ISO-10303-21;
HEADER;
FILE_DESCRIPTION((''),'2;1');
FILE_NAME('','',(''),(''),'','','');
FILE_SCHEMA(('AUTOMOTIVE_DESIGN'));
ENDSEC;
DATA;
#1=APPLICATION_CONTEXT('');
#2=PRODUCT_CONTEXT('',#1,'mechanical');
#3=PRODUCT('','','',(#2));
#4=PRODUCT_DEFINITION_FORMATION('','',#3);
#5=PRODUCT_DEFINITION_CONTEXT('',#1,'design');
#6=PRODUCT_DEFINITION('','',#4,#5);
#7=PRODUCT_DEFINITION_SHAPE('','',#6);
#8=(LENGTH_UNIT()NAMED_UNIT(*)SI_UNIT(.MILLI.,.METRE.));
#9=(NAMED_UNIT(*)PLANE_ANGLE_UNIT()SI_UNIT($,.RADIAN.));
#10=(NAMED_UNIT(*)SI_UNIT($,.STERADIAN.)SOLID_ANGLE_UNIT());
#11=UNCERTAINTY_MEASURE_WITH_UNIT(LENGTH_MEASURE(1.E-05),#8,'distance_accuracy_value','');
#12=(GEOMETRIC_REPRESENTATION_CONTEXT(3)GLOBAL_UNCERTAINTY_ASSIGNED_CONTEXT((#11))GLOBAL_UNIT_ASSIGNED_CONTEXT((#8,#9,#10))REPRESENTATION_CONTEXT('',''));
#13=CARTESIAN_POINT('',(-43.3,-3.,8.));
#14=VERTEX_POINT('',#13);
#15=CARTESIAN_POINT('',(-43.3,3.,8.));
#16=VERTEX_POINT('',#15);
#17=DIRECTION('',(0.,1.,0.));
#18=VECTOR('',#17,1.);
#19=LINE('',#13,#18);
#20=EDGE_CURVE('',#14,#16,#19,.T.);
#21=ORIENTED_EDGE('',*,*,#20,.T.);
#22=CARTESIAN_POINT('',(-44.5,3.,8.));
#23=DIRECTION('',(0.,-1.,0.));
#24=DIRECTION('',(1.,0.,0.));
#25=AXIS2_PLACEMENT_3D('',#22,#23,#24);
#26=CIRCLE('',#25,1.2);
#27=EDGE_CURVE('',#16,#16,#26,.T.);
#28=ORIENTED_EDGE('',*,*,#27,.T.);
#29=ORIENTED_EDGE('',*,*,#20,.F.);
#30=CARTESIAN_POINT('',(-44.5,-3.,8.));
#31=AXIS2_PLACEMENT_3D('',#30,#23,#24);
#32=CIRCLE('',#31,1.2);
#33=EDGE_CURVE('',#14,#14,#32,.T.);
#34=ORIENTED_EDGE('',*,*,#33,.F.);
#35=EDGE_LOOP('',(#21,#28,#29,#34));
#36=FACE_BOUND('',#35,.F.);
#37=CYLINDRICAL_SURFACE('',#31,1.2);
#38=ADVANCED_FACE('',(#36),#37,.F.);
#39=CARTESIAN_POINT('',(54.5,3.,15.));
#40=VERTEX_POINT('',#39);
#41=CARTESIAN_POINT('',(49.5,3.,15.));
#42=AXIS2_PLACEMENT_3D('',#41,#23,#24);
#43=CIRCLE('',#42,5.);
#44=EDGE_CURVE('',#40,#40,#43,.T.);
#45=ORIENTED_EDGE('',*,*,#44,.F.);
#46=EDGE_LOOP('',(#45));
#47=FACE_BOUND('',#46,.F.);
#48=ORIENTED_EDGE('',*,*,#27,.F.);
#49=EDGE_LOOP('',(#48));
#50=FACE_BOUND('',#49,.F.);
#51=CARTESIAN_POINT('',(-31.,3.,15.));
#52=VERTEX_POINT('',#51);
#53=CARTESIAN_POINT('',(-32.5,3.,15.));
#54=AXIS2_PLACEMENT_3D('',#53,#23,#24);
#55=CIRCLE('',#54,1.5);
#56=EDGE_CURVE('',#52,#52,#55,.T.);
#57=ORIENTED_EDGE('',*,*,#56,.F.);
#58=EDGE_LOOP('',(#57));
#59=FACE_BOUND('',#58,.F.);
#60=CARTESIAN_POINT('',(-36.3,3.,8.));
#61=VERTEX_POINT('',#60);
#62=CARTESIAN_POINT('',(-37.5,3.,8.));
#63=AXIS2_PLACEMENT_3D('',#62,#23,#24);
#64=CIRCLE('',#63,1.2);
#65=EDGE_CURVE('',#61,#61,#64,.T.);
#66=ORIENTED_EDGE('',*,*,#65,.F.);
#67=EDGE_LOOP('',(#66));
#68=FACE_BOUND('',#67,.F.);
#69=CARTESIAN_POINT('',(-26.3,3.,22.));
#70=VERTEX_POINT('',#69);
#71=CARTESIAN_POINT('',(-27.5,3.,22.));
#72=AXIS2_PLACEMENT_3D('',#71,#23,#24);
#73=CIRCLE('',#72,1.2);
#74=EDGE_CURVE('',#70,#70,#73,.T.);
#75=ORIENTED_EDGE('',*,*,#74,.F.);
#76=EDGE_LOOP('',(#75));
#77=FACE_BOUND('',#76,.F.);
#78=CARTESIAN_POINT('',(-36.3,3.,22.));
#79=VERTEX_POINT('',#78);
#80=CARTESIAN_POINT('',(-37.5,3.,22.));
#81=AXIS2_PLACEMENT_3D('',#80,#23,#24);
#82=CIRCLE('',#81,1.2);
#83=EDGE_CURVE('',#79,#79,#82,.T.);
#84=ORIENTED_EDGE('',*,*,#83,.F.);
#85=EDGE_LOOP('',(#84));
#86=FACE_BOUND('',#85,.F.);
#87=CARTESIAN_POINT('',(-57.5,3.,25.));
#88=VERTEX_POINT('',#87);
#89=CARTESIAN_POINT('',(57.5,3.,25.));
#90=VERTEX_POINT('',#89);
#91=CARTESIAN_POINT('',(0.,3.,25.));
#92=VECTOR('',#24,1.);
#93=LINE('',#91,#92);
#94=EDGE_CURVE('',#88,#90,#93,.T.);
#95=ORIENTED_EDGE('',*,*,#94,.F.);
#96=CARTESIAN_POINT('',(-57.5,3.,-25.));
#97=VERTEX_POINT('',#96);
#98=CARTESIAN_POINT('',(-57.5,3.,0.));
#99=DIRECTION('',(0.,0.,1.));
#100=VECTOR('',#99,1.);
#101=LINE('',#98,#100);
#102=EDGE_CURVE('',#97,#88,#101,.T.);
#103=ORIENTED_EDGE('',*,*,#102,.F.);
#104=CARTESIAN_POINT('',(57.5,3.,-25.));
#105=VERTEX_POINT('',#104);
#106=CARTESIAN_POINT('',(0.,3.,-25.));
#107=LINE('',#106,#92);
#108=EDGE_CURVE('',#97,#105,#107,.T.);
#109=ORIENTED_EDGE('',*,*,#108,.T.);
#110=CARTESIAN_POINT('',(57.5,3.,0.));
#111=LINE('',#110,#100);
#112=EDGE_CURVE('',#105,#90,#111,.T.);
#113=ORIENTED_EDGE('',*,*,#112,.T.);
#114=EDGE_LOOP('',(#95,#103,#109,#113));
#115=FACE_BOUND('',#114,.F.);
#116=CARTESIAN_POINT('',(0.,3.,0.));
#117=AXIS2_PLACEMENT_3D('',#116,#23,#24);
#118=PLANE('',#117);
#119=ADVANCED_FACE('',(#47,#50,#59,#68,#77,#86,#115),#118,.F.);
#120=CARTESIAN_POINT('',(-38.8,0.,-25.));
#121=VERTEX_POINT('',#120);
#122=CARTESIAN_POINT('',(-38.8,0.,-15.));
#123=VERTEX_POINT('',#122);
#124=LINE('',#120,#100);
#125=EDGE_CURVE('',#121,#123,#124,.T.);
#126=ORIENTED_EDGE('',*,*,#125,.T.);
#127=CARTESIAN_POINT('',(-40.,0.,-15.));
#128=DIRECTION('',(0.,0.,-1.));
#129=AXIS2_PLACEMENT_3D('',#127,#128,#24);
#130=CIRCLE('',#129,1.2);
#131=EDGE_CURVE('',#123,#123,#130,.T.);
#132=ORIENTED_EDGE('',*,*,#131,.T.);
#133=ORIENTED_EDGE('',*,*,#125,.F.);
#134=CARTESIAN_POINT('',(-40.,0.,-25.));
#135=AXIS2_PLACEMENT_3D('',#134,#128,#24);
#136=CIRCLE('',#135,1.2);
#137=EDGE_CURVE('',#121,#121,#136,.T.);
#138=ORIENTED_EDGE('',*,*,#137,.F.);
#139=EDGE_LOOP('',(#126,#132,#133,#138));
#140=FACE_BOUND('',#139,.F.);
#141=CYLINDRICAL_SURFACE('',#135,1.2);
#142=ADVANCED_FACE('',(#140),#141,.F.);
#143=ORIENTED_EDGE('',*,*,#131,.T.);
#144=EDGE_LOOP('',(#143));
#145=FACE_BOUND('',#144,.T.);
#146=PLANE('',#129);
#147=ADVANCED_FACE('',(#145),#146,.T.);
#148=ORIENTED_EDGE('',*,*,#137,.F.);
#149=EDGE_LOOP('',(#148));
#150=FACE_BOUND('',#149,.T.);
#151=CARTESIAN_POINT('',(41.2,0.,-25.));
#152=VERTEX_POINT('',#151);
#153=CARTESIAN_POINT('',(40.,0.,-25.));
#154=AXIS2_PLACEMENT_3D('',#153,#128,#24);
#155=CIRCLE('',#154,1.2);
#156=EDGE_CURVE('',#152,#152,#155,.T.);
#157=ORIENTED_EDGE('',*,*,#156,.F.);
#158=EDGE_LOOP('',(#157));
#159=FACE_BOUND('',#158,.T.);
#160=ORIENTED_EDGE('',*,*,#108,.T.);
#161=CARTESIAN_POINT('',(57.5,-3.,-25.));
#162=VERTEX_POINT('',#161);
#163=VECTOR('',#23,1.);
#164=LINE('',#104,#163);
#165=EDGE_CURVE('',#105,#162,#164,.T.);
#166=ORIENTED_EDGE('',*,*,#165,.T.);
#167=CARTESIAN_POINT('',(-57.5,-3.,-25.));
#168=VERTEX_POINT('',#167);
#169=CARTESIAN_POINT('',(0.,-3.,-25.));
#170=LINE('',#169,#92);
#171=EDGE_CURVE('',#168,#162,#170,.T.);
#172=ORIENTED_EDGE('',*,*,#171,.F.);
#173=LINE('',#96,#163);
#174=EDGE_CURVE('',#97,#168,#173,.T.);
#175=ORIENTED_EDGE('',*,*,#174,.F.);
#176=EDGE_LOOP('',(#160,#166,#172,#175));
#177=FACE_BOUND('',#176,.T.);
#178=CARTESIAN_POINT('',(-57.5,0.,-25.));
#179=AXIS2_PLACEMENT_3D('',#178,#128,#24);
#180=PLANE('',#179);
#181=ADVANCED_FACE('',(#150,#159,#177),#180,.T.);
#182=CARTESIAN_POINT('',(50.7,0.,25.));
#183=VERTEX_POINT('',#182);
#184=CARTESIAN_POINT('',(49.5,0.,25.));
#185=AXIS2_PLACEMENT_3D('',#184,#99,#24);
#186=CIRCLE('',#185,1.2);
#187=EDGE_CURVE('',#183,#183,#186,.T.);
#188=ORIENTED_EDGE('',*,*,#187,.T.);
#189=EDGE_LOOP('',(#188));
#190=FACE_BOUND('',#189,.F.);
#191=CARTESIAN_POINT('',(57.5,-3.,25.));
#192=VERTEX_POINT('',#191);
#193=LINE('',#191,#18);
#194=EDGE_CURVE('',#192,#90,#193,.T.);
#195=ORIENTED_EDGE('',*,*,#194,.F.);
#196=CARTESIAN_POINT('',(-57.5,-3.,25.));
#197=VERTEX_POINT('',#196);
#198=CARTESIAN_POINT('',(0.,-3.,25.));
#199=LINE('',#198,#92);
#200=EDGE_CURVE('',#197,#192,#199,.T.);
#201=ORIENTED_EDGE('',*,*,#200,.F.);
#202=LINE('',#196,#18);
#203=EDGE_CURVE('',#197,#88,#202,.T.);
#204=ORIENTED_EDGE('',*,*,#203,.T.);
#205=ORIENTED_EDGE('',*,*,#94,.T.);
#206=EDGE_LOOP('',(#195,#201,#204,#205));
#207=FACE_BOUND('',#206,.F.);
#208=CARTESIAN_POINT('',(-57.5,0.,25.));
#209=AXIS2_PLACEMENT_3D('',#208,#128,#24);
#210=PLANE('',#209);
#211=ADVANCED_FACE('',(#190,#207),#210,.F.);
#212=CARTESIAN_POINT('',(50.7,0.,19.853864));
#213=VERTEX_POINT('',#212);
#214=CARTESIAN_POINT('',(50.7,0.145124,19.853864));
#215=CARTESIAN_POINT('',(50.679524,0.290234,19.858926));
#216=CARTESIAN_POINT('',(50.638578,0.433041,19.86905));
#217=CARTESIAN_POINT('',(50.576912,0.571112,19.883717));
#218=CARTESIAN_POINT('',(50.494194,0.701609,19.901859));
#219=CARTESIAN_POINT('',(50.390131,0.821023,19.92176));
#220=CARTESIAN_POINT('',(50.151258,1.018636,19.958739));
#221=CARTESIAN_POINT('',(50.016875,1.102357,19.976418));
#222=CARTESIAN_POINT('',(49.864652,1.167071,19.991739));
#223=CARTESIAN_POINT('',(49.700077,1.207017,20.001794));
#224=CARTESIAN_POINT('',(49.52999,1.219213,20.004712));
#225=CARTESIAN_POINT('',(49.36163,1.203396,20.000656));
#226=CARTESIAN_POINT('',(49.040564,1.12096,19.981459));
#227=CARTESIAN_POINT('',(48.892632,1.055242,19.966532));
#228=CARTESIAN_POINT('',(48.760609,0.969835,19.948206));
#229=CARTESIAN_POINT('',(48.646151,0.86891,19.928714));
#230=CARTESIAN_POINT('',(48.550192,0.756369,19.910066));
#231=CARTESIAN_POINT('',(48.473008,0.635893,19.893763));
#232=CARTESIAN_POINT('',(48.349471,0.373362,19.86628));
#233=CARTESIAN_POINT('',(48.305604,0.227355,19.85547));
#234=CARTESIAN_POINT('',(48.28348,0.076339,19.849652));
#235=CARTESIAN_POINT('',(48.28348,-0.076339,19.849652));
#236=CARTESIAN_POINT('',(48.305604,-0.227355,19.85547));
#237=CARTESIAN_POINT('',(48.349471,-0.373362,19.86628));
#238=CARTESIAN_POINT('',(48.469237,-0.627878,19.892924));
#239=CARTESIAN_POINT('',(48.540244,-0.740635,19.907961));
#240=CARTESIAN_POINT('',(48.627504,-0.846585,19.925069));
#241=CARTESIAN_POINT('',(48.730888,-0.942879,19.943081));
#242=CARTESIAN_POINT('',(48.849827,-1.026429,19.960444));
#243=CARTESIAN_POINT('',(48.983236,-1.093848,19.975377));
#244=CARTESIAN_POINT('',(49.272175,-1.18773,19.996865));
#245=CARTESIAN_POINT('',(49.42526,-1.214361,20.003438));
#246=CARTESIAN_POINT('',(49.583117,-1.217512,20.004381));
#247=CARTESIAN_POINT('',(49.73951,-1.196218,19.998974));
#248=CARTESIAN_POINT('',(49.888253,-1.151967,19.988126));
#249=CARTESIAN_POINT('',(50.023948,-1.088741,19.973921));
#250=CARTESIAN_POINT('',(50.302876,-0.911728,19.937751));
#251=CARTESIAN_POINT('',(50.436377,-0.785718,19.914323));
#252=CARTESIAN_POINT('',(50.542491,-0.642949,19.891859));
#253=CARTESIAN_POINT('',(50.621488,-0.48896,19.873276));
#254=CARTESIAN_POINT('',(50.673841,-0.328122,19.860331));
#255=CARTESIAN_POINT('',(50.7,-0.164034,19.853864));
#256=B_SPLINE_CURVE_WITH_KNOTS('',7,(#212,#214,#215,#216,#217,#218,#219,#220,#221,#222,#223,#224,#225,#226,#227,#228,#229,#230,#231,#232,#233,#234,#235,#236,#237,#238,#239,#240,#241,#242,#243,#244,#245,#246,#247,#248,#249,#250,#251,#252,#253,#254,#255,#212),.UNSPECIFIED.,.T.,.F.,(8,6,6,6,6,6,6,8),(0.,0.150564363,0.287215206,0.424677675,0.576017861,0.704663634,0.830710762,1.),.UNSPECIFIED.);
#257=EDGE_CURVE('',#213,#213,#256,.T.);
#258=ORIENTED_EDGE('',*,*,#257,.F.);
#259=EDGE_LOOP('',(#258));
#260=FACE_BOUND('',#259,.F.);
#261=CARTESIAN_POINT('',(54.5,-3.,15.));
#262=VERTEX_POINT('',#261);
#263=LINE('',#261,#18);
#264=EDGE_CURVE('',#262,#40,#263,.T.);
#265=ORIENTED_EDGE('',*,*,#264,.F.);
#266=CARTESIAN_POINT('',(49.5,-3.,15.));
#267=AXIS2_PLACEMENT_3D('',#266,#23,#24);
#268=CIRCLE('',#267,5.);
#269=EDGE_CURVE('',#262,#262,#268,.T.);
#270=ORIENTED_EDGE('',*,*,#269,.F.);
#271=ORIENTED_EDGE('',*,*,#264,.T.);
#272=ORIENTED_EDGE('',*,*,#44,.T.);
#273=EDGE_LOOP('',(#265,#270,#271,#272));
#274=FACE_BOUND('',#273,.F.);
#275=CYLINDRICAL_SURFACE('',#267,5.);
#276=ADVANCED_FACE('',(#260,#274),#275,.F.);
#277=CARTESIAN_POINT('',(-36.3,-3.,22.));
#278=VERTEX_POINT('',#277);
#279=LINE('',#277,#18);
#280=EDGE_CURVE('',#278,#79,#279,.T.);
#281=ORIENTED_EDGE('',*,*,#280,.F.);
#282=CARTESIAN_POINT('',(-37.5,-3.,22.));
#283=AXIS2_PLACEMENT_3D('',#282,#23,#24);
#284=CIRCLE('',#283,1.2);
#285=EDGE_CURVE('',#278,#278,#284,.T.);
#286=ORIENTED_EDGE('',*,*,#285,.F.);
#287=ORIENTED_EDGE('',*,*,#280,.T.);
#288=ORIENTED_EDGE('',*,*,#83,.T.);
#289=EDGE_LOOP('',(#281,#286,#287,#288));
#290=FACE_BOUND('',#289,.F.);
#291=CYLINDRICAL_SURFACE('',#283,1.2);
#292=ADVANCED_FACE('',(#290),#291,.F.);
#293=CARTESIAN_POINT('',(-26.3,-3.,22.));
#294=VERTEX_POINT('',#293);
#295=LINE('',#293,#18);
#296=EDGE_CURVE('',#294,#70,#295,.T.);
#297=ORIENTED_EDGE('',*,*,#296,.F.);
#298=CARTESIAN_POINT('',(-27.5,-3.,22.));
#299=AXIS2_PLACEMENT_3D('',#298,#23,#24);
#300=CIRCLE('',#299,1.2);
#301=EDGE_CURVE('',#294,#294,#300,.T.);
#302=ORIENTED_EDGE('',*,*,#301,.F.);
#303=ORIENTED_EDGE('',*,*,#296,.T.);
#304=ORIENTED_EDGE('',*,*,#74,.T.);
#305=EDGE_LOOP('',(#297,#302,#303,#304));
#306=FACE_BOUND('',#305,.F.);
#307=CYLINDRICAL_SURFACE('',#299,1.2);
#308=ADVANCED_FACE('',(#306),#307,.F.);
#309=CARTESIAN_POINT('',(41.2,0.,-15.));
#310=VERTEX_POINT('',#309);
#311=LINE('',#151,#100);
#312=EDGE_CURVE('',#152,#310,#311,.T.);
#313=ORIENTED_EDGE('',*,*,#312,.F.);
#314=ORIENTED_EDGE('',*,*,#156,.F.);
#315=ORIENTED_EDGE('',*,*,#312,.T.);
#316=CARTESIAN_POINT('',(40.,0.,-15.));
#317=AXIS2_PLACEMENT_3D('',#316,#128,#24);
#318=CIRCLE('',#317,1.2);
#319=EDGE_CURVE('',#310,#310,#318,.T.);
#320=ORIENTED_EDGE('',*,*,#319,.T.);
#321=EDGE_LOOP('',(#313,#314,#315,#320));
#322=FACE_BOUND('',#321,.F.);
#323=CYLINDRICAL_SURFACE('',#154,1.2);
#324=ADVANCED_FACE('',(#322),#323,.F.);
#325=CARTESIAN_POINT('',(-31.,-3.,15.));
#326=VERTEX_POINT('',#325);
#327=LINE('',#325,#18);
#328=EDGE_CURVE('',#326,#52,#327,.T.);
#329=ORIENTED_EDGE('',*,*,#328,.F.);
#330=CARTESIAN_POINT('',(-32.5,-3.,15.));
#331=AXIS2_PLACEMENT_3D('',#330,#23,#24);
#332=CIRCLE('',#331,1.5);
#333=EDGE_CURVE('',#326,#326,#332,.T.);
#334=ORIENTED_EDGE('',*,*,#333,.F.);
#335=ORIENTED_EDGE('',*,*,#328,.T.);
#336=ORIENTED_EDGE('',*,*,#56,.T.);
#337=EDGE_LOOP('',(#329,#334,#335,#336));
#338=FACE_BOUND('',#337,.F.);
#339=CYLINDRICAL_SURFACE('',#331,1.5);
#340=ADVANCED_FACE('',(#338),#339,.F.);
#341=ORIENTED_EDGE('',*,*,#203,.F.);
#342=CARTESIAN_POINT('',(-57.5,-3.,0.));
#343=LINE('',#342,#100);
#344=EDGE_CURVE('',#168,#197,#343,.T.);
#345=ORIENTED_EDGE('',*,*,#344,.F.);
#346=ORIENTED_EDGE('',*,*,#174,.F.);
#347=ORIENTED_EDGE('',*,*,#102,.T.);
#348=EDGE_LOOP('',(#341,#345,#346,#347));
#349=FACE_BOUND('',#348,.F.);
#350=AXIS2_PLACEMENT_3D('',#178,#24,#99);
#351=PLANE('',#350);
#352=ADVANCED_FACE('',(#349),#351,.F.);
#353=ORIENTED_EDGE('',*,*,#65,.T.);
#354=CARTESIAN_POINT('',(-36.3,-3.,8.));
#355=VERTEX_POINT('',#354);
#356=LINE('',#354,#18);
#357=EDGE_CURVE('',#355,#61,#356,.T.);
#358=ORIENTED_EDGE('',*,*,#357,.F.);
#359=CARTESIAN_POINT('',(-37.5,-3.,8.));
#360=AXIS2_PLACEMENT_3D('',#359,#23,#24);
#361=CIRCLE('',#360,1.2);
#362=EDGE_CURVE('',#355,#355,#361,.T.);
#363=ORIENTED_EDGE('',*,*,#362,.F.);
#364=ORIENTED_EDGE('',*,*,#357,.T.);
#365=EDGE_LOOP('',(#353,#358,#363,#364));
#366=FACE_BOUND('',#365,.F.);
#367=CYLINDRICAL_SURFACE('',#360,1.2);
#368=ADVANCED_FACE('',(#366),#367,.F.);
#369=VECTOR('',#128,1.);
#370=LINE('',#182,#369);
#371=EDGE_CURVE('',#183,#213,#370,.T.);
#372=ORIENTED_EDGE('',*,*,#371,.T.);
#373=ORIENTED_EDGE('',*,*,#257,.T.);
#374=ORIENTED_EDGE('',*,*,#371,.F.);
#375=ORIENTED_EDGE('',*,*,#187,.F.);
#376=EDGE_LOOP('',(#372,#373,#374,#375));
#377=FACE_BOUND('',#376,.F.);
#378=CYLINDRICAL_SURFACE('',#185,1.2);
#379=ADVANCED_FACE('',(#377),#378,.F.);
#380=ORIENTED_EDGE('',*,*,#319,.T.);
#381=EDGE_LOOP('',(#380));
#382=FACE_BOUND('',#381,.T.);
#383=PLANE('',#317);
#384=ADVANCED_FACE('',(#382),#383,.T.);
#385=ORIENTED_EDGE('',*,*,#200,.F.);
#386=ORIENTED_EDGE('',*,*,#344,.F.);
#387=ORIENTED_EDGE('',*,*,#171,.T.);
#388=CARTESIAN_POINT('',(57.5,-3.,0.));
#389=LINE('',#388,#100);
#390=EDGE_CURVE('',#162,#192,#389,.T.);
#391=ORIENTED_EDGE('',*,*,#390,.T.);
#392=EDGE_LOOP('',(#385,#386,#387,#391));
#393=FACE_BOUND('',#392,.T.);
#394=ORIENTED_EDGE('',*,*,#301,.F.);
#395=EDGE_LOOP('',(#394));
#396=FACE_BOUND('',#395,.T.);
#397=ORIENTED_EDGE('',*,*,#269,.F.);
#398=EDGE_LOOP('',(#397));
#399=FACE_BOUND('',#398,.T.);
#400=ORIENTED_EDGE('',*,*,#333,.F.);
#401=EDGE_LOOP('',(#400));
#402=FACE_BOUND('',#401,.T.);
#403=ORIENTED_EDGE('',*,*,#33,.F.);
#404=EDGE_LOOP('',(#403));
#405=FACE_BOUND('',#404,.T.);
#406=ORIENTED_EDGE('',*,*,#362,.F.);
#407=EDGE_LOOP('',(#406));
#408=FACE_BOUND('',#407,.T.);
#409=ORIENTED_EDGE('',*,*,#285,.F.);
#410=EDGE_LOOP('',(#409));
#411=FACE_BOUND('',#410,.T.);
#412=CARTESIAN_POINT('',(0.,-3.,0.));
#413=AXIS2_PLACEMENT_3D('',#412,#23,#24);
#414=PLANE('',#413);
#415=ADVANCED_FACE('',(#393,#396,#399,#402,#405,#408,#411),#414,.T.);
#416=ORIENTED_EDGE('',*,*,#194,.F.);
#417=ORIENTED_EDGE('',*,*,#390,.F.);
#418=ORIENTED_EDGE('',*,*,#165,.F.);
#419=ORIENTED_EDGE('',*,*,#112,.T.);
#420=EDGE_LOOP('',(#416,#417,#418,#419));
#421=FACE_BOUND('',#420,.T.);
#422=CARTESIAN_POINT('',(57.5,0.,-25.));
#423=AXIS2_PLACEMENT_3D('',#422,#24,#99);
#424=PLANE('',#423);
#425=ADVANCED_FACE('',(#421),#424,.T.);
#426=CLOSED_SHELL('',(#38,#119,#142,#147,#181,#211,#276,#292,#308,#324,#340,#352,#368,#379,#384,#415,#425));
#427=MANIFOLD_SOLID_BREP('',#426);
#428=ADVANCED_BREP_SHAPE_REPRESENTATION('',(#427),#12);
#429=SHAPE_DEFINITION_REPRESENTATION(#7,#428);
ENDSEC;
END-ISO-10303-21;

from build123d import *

# Parameters (mm, degrees)
F0_W          = 115
F0_H          = 50
F1_DEPTH      = 3
F1_DEPTH_BACK = 3
F2_R          = 5
F2_R_2        = 1.2
F2_R_3        = 1.5
F3_DEPTH      = 6.001
F4_R          = 1.2
F5_DEPTH      = 5.1471356602
F6_R          = 1.2
F7_DEPTH      = 10


with BuildPart() as f1:
    # F0 (on Front) → F1 (new body, two sides)
    with BuildSketch(Plane.XZ) as f1_sk:
        Rectangle(F0_W, F0_H)
    extrude(amount=F1_DEPTH)
    extrude(f1_sk.sketch, amount=-F1_DEPTH_BACK)

    # F2 (on face) → F3 (cut, through all)
    with BuildSketch(Plane.XZ.offset(3)):
        with Locations((49.5, 15)):
            Circle(F2_R)
        with Locations((-37.5, 22)):
            Circle(F2_R_2)
        with Locations((-27.5, 22)):
            Circle(F2_R_2)
        with Locations((-32.5, 15)):
            Circle(F2_R_3)
        with Locations((-37.5, 8)):
            Circle(F2_R_2)
        with Locations((-44.5, 8)):
            Circle(F2_R_2)
    extrude(amount=-F3_DEPTH, mode=Mode.SUBTRACT)

    # F4 (on face) → F5 (cut, through all)
    with BuildSketch(Plane.XY.offset(25)):
        with Locations((49.5, 0)):
            Circle(F4_R)
    extrude(amount=-F5_DEPTH, mode=Mode.SUBTRACT)

    # F6 (on face) → F7 (cut)
    with BuildSketch(Plane(origin=(0, 0, -25), x_dir=(1, 0, 0), z_dir=(0, 0, -1))):
        with Locations((-40, 0)):
            Circle(F6_R)
        with Locations((40, 0)):
            Circle(F6_R)
    extrude(amount=-F7_DEPTH, mode=Mode.SUBTRACT)


solid = f1.part
